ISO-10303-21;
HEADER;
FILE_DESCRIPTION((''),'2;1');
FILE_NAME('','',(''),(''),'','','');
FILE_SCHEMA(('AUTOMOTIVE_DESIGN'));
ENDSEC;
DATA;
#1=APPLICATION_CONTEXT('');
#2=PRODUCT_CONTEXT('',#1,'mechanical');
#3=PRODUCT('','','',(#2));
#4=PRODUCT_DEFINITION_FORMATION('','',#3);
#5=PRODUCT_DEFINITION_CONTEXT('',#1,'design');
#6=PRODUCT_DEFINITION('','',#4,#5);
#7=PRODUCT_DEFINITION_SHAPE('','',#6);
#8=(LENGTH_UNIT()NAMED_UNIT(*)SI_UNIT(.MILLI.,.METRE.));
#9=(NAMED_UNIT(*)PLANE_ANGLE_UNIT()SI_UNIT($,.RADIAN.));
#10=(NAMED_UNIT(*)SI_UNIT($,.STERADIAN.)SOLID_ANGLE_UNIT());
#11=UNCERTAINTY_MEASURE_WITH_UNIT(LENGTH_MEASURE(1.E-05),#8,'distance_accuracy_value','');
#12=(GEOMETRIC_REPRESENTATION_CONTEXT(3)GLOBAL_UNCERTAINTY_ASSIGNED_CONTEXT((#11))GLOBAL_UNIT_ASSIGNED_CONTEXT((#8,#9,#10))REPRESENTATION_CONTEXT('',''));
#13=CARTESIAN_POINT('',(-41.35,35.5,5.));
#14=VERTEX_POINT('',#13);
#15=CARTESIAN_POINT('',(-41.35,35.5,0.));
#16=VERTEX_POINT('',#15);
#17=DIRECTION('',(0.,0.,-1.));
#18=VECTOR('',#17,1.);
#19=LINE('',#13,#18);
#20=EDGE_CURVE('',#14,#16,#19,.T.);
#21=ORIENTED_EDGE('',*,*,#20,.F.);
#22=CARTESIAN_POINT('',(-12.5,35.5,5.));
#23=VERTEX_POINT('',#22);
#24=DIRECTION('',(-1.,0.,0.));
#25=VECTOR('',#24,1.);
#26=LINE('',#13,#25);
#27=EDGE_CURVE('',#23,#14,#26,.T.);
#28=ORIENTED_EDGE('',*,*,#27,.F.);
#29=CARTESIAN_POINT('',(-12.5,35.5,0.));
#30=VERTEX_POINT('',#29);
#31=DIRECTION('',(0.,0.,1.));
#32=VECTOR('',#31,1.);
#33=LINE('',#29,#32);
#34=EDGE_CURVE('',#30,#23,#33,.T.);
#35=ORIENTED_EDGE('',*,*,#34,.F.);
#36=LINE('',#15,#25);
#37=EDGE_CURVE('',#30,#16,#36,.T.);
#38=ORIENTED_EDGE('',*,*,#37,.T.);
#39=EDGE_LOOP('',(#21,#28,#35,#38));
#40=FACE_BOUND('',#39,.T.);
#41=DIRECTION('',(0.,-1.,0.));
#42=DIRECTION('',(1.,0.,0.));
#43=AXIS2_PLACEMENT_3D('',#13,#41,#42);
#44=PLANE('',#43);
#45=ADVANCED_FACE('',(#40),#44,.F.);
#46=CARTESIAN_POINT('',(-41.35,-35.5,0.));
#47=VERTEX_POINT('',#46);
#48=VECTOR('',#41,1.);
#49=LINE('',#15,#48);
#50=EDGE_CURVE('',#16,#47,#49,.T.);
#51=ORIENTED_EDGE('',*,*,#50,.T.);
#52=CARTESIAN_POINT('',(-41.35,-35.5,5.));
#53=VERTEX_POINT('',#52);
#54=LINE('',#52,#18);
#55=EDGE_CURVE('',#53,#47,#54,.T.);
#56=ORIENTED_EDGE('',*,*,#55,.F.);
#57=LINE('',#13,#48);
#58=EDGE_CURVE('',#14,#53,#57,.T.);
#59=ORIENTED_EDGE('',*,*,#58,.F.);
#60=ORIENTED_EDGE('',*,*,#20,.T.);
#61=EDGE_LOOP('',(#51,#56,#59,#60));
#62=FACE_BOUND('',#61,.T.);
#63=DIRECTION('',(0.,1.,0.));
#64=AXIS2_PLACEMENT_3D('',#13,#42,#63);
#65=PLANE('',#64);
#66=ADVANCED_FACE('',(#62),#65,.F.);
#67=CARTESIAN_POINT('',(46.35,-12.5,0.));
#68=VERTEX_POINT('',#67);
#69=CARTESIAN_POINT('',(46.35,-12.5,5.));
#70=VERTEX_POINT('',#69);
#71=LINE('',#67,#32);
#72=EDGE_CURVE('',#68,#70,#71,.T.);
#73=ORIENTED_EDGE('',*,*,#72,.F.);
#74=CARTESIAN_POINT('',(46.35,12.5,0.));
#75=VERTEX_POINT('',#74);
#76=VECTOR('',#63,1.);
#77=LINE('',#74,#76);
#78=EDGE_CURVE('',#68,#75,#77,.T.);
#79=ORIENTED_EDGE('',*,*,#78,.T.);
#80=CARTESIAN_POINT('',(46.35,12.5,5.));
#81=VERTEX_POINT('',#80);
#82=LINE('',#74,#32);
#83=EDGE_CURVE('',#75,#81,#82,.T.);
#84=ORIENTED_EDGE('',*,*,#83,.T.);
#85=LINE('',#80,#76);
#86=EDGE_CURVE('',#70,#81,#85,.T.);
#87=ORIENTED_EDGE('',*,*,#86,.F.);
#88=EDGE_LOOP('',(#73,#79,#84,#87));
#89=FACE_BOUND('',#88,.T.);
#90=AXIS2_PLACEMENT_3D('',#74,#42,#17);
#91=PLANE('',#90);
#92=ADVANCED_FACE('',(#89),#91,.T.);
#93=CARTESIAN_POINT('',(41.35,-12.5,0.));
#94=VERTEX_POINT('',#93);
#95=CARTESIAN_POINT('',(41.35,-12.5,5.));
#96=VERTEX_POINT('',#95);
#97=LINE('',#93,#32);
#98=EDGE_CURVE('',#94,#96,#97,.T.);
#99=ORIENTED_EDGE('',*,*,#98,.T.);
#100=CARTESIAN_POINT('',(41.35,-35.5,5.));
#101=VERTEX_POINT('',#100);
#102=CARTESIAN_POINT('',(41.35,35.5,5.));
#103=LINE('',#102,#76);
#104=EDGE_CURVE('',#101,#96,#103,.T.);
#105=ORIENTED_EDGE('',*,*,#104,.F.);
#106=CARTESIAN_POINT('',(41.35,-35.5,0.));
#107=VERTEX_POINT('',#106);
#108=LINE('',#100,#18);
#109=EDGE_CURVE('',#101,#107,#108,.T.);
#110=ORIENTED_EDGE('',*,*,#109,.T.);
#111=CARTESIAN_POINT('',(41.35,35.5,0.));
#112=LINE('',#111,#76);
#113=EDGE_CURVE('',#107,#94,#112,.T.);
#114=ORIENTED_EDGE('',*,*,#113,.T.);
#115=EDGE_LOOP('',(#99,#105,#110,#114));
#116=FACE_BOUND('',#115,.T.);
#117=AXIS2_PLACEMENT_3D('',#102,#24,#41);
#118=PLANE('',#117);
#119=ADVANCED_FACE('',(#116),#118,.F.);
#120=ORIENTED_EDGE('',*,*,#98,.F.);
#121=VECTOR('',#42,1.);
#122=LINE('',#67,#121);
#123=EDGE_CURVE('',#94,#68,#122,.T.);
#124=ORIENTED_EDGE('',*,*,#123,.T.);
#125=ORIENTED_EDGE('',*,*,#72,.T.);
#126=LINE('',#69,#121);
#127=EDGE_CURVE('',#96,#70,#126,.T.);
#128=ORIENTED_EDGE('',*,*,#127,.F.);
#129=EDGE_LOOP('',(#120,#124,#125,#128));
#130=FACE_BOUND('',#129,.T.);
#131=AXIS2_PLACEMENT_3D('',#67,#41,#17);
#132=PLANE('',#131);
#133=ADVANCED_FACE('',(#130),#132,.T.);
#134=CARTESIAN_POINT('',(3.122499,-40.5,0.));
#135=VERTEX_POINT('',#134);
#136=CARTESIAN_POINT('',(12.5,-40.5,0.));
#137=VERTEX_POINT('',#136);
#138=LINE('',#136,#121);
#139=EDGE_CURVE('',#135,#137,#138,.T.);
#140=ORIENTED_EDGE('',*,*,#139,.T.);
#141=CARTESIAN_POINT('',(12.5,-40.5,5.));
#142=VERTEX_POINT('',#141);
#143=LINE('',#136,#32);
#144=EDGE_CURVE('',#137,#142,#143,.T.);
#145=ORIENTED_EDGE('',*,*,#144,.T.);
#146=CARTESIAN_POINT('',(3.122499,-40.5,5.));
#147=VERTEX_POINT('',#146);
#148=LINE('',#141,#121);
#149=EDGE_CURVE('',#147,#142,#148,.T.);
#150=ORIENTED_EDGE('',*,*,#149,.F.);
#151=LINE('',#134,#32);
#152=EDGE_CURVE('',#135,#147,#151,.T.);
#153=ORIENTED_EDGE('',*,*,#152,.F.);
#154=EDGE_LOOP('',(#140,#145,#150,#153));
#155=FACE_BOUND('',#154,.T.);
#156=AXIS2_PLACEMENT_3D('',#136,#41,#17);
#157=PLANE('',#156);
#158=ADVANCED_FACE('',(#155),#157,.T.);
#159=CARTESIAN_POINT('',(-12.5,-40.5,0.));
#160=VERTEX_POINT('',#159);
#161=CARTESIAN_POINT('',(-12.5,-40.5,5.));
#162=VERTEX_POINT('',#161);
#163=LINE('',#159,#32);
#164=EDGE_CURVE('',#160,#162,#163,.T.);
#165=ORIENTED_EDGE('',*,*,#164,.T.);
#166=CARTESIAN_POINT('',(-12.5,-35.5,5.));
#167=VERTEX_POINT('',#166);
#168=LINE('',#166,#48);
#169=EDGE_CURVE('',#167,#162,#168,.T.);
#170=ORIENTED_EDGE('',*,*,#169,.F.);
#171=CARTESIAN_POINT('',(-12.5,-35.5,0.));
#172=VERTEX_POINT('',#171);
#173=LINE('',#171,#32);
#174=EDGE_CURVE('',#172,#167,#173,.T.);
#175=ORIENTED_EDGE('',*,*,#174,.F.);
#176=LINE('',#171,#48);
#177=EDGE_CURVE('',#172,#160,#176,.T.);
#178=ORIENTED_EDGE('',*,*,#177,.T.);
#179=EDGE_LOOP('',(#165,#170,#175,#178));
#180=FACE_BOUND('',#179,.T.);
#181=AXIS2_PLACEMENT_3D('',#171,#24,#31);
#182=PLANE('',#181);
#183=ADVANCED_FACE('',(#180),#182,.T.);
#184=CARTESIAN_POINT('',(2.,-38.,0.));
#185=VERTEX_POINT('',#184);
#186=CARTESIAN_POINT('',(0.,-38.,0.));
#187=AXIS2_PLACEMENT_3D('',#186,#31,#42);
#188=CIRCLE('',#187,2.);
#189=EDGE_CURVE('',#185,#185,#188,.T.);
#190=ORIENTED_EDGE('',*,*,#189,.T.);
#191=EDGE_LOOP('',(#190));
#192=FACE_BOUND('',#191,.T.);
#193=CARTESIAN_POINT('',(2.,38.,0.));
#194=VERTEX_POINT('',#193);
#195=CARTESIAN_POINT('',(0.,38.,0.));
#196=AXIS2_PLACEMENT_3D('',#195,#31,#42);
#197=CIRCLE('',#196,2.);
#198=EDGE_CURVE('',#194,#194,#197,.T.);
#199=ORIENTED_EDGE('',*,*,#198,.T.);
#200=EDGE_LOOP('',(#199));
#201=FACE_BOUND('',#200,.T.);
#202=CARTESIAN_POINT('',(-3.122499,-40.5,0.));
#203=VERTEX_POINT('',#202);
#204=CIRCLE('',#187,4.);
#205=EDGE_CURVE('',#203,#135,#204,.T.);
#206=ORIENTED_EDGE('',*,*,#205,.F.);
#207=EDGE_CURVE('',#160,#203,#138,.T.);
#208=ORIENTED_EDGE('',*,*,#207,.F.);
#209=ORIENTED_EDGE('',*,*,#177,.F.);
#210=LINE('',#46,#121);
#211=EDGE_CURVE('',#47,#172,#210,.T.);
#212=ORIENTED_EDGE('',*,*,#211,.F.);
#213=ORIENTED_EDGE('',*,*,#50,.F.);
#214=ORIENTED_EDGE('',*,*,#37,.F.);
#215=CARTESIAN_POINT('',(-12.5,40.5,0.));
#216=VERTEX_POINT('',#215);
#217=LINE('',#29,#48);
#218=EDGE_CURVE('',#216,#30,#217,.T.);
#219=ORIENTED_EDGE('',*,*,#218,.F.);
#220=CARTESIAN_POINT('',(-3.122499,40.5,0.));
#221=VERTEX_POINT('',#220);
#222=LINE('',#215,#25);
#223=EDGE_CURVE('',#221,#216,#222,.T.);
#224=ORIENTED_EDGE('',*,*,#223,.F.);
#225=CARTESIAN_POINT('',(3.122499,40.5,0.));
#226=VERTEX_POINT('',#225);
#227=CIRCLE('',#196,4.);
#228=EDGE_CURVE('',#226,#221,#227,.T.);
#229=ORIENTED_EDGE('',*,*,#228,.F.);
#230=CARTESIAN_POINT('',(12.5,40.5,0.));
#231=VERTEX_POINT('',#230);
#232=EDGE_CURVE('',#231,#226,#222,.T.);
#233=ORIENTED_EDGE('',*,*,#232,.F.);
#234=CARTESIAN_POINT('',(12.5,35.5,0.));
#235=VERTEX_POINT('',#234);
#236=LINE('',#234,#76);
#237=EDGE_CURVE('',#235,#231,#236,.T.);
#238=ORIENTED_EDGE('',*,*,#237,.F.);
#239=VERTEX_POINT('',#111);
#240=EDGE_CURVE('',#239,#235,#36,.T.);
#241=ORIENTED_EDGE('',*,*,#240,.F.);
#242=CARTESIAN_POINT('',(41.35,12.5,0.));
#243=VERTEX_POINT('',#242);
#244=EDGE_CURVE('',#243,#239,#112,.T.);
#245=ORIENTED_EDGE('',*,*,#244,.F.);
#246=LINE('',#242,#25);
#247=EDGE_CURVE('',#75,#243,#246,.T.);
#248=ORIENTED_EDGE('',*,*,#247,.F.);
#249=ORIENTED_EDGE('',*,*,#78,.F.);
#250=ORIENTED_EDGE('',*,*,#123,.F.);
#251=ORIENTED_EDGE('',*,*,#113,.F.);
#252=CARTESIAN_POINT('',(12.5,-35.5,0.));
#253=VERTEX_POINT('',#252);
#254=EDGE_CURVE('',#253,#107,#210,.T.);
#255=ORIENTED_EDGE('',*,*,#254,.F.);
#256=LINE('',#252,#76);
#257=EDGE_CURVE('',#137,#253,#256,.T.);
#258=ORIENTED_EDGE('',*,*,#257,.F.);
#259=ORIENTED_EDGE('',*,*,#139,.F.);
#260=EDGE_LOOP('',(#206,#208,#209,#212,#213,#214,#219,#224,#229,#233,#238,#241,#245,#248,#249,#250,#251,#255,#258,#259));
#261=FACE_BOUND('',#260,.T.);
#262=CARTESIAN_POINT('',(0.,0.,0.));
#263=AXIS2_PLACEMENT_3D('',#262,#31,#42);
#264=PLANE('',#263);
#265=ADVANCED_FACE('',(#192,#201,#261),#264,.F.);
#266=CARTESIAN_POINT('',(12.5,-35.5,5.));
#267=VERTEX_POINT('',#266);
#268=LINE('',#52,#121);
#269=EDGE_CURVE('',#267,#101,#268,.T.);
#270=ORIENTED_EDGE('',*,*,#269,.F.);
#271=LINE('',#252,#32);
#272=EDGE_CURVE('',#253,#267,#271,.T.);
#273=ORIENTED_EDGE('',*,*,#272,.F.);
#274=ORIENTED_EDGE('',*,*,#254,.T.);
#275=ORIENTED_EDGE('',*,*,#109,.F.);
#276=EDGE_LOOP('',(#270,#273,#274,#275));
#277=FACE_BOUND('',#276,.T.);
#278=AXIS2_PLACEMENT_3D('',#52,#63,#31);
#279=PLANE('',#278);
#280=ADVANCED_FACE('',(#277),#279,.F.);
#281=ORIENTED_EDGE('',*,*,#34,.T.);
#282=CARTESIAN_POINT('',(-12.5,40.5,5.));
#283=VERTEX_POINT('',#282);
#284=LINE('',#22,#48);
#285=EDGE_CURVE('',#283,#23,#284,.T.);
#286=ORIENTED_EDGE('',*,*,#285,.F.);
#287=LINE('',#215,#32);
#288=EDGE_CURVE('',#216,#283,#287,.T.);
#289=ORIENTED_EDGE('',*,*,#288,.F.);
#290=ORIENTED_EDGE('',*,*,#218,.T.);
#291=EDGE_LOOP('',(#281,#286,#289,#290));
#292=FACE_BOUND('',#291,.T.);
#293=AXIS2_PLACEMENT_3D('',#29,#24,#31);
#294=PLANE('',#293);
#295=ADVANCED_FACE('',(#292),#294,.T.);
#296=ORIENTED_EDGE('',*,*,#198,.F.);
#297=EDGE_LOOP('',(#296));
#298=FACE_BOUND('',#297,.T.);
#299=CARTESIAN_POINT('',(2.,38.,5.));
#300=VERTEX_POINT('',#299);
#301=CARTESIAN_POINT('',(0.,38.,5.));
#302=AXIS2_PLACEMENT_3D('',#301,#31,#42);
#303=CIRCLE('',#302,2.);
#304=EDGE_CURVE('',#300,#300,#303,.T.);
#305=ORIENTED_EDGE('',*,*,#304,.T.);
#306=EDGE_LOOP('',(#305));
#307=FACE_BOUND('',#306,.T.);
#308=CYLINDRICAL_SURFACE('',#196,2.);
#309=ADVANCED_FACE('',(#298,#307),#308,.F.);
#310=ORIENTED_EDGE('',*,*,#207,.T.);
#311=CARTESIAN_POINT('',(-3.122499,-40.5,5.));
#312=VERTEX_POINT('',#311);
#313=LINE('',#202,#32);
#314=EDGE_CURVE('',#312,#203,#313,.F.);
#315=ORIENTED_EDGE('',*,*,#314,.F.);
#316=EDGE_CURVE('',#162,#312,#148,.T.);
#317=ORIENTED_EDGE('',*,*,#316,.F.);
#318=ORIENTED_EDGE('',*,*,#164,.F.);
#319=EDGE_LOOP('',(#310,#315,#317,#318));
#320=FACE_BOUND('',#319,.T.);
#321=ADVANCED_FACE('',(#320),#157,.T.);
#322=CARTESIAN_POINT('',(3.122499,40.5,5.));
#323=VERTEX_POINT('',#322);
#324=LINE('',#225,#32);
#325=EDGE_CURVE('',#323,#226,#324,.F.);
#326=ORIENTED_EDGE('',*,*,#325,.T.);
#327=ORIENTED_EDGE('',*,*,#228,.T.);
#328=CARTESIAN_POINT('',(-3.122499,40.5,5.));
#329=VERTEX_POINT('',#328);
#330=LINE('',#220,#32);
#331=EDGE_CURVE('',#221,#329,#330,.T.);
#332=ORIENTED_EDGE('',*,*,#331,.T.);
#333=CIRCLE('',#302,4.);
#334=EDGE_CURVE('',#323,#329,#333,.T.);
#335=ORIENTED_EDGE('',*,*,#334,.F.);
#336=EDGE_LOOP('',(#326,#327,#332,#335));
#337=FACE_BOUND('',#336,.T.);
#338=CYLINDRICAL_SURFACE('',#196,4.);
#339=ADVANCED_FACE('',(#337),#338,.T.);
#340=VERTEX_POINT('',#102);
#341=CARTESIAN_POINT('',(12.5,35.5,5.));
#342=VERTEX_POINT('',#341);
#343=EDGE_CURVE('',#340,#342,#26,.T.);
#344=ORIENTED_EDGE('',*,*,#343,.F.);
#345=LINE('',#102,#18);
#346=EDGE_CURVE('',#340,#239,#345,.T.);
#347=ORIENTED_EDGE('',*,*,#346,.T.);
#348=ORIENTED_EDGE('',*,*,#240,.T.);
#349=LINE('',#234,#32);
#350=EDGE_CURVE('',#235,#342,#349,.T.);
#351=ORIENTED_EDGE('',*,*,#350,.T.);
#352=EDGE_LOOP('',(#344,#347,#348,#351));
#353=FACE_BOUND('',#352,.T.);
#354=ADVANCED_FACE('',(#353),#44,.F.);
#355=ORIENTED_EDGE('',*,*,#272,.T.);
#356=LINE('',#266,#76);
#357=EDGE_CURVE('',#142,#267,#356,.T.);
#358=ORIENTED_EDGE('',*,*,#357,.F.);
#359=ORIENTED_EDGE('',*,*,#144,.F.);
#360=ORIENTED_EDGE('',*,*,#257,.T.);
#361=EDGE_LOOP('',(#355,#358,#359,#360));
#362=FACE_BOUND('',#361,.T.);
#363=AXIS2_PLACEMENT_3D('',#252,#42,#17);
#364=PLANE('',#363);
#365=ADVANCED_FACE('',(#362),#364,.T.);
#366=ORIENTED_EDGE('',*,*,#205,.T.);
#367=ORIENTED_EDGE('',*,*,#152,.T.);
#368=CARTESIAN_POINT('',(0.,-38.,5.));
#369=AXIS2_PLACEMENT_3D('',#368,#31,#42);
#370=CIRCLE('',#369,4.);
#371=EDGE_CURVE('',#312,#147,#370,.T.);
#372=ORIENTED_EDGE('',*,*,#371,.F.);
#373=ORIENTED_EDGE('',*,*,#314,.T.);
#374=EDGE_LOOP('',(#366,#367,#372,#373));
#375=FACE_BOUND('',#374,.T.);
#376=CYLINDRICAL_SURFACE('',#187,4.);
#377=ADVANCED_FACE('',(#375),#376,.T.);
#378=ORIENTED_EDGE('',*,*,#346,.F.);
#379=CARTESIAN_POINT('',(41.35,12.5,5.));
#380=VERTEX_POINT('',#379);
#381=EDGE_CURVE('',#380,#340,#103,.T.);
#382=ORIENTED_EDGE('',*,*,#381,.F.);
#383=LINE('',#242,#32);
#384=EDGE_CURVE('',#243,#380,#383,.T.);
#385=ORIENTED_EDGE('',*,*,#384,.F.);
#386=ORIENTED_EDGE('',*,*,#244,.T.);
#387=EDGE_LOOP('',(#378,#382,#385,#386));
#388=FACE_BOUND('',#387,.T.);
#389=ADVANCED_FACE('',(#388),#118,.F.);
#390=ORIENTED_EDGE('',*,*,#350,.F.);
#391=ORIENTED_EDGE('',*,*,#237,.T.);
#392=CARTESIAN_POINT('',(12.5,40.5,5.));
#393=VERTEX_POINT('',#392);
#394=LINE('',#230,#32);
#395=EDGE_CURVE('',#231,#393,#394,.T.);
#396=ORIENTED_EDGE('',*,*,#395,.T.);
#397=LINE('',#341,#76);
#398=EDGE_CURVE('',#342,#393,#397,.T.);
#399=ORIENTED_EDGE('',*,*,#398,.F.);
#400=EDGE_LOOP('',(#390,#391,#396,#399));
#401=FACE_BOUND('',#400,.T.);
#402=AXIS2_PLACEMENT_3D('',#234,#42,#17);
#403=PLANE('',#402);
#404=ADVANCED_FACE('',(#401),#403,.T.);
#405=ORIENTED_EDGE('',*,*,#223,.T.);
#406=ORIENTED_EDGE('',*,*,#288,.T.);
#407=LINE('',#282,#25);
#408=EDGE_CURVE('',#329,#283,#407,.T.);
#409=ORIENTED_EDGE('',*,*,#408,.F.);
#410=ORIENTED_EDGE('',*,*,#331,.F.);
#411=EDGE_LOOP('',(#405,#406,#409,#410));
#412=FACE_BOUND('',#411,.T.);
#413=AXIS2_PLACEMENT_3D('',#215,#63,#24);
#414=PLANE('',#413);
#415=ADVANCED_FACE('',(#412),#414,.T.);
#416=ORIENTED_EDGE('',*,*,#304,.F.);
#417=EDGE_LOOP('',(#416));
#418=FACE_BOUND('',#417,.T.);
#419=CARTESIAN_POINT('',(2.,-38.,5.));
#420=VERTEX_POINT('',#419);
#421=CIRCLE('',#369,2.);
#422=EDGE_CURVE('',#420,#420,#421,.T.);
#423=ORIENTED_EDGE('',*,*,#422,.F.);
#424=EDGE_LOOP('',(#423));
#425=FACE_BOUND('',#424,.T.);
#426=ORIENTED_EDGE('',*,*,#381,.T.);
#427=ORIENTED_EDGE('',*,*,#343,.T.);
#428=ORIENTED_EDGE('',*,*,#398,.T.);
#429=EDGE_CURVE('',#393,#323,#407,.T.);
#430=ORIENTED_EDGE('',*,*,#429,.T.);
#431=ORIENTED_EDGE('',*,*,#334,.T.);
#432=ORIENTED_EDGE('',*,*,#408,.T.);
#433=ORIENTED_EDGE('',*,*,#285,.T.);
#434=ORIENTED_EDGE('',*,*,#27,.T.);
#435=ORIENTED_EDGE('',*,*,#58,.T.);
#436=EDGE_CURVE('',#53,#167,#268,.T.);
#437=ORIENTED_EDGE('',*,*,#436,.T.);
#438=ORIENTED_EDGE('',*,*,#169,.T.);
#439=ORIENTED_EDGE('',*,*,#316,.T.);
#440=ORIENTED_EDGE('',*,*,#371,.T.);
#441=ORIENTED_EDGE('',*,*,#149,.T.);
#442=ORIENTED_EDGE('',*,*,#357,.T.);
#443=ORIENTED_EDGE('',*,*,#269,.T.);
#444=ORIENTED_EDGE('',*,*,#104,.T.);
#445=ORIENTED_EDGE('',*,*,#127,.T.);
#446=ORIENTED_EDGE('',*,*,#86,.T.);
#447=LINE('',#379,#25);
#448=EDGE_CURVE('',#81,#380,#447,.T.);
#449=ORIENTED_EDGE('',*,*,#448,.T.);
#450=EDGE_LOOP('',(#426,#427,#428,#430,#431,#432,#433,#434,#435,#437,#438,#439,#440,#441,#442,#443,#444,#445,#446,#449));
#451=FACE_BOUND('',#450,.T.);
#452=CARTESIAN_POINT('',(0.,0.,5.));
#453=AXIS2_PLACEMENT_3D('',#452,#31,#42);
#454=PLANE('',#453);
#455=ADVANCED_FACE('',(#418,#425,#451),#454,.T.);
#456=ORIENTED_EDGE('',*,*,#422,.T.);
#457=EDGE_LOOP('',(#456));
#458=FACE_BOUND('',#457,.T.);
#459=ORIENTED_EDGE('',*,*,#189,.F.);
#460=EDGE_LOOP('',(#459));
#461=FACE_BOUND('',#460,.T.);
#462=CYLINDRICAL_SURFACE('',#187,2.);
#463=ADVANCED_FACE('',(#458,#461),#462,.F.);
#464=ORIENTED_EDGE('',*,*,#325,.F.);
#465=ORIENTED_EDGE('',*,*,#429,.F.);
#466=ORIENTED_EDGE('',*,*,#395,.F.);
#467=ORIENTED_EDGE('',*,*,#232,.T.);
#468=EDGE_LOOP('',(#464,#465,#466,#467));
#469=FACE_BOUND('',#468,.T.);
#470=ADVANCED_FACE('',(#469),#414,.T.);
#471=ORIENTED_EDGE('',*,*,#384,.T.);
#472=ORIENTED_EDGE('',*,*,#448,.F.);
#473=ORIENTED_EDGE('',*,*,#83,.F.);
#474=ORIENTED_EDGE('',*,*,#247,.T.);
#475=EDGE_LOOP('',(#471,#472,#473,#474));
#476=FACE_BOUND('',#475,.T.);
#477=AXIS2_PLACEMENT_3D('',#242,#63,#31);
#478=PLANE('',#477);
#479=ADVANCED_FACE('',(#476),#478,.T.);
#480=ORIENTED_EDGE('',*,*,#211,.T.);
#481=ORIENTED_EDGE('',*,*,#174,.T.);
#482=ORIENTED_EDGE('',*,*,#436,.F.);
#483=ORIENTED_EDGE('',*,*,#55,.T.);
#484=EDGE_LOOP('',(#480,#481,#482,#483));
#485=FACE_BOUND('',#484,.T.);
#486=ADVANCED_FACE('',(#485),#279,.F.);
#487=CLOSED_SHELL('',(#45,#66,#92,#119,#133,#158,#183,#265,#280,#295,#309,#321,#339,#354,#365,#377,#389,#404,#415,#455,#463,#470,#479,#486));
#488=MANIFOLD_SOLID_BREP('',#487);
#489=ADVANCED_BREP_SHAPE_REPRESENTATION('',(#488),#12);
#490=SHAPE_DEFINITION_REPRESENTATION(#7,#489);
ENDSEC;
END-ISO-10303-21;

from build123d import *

# Parameters (mm, degrees)
SKETCH1_W           = 82.7
SKETCH1_H           = 71
BOSS_EXTRUDE1_DEPTH = 5
SKETCH3_W           = 25
SKETCH3_H           = 5
SKETCH3_W_2         = 5
SKETCH3_H_2         = 25
BOSS_EXTRUDE2_DEPTH = 5
SKETCH4_R           = 2
CUT_EXTRUDE1_DEPTH  = 5
SKETCH5_R           = 4
SKETCH5_R_2         = 2
BOSS_EXTRUDE3_DEPTH = 5


with BuildPart() as part:
    # Sketch1 → Boss-Extrude1 (new body)
    with BuildSketch(Plane.XY):
        Rectangle(SKETCH1_W, SKETCH1_H)
    extrude(amount=BOSS_EXTRUDE1_DEPTH)

    # Sketch3 → Boss-Extrude2 (add)
    with BuildSketch(Plane.XY.offset(5)):
        with Locations((0, 38)):
            Rectangle(SKETCH3_W, SKETCH3_H)
        with Locations((43.85, 0)):
            Rectangle(SKETCH3_W_2, SKETCH3_H_2)
        with Locations((0, -38)):
            Rectangle(SKETCH3_W, SKETCH3_H)
    extrude(amount=-BOSS_EXTRUDE2_DEPTH)

    # Sketch4 → Cut-Extrude1 (cut)
    with BuildSketch(Plane.XY.offset(5)):
        with Locations((0, 38)):
            Circle(SKETCH4_R)
        with Locations((0, -38)):
            Circle(SKETCH4_R)
    extrude(amount=-CUT_EXTRUDE1_DEPTH, mode=Mode.SUBTRACT)

    # Sketch5 → Boss-Extrude3 (add)
    # profile 1 of 2: a face of its own
    with BuildSketch(Plane.XY.offset(5)):
        with Locations((0, 38)):
            Circle(SKETCH5_R)
        with Locations((0, 38)):
            Circle(SKETCH5_R_2, mode=Mode.SUBTRACT)
    # profile 2 of 2: a face of its own
    with BuildSketch(Plane.XY.offset(5)):
        with Locations((0, -38)):
            Circle(SKETCH5_R)
        with Locations((0, -38)):
            Circle(SKETCH5_R_2, mode=Mode.SUBTRACT)
    extrude(amount=-BOSS_EXTRUDE3_DEPTH)


solid = part.part
